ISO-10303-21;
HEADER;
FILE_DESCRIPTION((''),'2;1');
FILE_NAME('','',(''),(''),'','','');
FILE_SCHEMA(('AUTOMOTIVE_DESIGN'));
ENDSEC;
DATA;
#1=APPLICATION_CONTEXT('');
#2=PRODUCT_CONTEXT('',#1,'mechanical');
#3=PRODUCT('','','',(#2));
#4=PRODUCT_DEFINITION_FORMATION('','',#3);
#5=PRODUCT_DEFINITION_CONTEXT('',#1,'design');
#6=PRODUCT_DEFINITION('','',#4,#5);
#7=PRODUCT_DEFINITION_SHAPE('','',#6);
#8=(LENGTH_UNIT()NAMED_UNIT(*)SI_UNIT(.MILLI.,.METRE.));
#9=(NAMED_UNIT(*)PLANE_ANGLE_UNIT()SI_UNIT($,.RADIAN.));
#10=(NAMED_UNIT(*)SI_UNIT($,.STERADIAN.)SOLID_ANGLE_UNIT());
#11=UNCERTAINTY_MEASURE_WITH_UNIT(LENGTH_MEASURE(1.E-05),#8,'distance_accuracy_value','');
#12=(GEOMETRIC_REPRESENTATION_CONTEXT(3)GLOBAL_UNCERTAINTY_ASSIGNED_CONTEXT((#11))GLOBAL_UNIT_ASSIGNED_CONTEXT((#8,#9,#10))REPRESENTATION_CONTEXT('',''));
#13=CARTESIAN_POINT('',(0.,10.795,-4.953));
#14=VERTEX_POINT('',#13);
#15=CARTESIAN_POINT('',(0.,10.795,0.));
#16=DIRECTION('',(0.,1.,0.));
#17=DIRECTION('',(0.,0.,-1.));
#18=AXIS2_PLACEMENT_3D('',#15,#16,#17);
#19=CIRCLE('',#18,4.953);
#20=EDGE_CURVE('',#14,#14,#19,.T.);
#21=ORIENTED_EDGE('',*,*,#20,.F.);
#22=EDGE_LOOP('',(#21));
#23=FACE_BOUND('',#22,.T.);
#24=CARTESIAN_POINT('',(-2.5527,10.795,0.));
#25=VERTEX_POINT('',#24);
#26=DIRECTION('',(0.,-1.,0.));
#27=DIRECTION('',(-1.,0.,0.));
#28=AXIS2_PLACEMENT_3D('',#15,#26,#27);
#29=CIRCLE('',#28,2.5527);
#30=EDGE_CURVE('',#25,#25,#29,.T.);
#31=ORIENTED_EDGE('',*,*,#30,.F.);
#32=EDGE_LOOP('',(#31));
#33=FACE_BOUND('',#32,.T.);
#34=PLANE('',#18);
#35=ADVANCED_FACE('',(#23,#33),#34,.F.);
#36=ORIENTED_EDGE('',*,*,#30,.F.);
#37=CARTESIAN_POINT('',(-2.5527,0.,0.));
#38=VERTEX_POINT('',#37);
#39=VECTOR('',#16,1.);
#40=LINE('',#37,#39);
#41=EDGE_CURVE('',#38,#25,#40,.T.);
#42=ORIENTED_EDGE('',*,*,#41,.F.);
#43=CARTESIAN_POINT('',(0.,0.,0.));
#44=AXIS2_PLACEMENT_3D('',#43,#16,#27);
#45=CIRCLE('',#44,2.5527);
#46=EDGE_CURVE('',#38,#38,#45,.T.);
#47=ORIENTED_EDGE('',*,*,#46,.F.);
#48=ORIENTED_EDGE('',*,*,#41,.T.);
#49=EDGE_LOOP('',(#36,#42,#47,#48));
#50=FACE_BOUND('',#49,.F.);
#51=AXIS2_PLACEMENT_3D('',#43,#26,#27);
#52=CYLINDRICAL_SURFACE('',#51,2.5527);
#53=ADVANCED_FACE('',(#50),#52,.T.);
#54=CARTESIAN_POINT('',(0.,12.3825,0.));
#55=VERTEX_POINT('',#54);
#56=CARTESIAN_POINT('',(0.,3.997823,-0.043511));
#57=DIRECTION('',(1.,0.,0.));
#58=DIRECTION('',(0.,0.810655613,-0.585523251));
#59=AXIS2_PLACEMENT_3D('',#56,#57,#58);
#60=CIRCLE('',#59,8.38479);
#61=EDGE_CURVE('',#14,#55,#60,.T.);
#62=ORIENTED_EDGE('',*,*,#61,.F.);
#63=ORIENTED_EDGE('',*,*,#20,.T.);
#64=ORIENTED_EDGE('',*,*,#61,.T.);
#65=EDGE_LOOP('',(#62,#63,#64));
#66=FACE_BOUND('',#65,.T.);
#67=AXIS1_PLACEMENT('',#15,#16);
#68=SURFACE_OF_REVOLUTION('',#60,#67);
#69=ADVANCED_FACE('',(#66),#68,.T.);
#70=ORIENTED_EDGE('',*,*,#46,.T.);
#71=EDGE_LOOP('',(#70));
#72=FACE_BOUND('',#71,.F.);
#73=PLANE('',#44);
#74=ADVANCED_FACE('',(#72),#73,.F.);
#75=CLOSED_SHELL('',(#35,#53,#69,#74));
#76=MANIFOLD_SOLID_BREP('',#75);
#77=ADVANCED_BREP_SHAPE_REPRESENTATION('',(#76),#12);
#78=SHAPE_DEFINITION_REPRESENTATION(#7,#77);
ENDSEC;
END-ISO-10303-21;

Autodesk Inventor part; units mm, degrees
ref_plane "YZ Plane" through (0, 0, 0) normal (1, 0, 0) x (0, 1, 0)
ref_plane "XZ Plane" through (0, 0, 0) normal (0, 1, 0) x (-1, 0, 0)
ref_plane "XY Plane" through (0, 0, 0) normal (0, 0, 1) x (1, 0, 0)
sketch "Sketch1" plane through (0, 0, 0) normal (0, 1, 0) x (-1, 0, 0)
  circle A0 centre (0, 0) radius 2.5527
  dimension "d0" = 5.1054
extrude "Extrusion1" add sketch "Sketch1" along normal blind 10.795
sketch "Sketch4" plane through (0, 0, 0) normal (1, 0, 0) x (0, 1, 0)
  line L0 (10.795, -2.5527) -> (10.795, 2.5527) projected
  line L1 (10.795, 0) -> (10.795, -4.953)
  line L2 (10.795, 0) -> (12.3825, 0)
  arc A0 (10.795, -4.953) -> (12.3825, 0) centre (3.998, -0.0436) ccw
  point P0 (0, 0)
  dimension "d5" = 4.953
  dimension "d6" = 1.5875
revolve "Revolution1" add sketch "Sketch4" angle 360 about axis through (0, 10.795, 0) along (0, 1, 0)
properties part number "Rivet" material "Steel, Galvanized"
